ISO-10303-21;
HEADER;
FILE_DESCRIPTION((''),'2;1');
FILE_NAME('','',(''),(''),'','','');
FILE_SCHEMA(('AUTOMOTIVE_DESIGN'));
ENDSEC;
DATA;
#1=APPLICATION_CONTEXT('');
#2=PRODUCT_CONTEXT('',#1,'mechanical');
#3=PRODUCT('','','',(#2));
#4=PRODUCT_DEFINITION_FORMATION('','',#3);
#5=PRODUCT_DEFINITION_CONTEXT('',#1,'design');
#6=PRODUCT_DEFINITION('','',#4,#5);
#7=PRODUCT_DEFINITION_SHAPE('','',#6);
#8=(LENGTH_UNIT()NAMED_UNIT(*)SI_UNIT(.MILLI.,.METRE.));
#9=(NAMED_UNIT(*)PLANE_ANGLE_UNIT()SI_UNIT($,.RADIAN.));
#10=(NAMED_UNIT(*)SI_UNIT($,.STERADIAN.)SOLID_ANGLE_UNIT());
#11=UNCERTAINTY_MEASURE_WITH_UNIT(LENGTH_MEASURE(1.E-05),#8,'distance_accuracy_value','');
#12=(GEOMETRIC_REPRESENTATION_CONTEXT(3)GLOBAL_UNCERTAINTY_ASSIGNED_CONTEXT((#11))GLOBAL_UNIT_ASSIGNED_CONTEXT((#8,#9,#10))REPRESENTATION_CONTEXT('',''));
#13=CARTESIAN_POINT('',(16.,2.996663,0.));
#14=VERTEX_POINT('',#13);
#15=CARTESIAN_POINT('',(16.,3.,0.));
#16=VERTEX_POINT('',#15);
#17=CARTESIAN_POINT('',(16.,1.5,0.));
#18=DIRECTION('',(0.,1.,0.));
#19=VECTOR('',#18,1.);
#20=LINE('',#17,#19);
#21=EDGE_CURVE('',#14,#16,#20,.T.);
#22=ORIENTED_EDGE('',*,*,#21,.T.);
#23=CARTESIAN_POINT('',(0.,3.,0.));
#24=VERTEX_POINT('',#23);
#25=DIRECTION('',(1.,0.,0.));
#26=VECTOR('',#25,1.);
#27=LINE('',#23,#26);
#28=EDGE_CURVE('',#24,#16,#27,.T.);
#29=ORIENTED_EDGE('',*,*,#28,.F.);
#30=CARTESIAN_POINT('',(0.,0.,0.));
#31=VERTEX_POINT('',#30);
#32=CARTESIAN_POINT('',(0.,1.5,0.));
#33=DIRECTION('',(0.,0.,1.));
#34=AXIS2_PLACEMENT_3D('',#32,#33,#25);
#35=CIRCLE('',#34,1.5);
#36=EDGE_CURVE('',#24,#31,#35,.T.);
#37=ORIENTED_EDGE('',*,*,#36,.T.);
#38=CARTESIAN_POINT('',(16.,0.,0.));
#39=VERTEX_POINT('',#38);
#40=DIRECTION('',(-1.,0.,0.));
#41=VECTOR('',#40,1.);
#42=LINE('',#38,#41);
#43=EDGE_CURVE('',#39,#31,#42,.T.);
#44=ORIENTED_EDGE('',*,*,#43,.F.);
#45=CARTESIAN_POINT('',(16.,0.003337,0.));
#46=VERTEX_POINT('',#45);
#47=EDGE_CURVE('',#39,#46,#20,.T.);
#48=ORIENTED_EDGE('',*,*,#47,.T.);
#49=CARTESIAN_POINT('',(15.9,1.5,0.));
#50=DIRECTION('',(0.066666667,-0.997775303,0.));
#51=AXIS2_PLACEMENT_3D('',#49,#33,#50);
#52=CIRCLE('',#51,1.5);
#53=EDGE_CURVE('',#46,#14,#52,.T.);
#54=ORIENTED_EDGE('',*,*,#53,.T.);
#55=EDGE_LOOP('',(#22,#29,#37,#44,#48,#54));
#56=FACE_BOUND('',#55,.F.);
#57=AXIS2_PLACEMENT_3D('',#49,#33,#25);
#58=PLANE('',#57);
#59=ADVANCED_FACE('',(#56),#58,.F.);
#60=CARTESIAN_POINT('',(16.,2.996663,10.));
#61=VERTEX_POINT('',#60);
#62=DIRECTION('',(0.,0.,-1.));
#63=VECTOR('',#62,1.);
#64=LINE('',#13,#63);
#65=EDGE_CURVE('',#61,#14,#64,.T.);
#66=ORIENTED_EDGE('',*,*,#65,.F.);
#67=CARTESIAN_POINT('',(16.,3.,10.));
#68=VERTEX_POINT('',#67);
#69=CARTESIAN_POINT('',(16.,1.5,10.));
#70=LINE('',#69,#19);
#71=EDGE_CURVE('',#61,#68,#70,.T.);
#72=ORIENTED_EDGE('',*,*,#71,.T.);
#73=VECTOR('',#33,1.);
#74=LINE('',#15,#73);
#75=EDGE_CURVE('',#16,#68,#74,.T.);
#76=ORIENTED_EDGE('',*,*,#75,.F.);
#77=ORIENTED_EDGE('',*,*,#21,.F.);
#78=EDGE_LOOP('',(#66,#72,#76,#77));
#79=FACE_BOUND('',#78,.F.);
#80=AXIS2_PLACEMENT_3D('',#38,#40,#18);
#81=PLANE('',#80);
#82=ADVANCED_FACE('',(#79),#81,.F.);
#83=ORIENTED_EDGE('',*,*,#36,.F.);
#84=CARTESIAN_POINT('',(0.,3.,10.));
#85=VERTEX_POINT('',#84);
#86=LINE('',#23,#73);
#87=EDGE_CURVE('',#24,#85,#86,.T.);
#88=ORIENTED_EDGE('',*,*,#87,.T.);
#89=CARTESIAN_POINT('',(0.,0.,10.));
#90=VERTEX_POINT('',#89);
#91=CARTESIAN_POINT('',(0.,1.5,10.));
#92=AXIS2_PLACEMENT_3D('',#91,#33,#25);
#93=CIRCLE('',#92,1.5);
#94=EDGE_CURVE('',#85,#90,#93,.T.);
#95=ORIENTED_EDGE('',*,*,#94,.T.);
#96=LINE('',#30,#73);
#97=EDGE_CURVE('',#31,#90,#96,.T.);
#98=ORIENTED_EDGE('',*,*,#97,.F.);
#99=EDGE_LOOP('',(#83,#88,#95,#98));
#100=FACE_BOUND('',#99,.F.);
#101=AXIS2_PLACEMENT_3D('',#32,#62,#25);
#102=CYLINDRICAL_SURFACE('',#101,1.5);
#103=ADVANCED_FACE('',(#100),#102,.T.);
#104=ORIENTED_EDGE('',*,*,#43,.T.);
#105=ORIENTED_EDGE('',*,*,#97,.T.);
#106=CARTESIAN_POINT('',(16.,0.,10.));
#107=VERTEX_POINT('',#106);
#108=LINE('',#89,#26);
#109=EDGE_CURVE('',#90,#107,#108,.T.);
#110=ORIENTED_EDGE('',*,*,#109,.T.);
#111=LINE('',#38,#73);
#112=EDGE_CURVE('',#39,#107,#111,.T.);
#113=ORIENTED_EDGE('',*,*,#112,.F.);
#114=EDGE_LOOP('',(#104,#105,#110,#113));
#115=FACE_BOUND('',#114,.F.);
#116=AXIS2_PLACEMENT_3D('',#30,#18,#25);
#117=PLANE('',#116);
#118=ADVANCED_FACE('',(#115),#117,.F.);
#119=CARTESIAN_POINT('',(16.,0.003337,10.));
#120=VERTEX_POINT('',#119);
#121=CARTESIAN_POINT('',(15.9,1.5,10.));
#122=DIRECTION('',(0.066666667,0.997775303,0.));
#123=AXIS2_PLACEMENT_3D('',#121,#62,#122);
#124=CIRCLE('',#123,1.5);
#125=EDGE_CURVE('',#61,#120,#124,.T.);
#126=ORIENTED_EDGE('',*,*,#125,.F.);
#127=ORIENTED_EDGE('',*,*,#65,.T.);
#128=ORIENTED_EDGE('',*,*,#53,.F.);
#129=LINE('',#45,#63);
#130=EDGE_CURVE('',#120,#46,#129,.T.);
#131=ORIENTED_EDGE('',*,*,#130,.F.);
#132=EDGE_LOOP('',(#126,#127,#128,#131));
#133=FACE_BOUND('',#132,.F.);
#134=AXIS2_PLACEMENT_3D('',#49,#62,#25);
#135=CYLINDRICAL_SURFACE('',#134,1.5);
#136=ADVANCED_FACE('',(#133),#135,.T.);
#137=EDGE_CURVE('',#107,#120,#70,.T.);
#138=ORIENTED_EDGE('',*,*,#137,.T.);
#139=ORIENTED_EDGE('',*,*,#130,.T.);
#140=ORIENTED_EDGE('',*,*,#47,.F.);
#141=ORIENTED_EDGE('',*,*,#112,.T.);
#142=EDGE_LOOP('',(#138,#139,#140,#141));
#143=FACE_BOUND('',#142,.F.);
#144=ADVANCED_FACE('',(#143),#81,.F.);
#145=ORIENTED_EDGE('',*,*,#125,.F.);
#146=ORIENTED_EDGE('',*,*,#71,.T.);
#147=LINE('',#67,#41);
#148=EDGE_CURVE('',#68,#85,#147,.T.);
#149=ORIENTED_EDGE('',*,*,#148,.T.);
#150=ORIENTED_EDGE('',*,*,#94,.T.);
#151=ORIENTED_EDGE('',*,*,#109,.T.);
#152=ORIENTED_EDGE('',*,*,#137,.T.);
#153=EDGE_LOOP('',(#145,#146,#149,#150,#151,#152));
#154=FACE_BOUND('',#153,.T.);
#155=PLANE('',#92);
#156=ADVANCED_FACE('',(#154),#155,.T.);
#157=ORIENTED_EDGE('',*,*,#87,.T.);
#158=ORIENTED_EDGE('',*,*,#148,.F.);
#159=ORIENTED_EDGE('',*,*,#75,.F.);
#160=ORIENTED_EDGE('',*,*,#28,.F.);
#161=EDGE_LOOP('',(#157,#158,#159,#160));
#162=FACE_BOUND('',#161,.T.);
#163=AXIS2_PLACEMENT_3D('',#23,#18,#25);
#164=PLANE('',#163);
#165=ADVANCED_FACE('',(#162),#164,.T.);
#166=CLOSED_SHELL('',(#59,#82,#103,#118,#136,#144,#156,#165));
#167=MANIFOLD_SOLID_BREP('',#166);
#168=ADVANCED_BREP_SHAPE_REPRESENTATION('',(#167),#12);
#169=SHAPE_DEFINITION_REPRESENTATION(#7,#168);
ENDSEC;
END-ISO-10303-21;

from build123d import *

# Parameters (mm, degrees)
CYLINDER003_R     = 1.5
CYLINDER003_DEPTH = 10
CYLINDER002_R     = 1.5
CYLINDER002_DEPTH = 10
BOX009_W          = 16
BOX009_H          = 3
BOX009_DEPTH      = 10


with BuildPart() as cylinder003:
    # Cylinder003 → Cylinder003 (new body)
    with BuildSketch(Plane(origin=(15.9, 1.5, 0), x_dir=(1, 0, 0), z_dir=(0, 0, 1))):
        Circle(CYLINDER003_R)
    extrude(amount=CYLINDER003_DEPTH)


with BuildPart() as cylinder002:
    # Cylinder002 → Cylinder002 (new body)
    with BuildSketch(Plane(origin=(0, 1.5, 0), x_dir=(1, 0, 0), z_dir=(0, 0, 1))):
        Circle(CYLINDER002_R)
    extrude(amount=CYLINDER002_DEPTH)


with BuildPart() as hole_template_d3:
    # Box009 → Box009 (new body)
    with BuildSketch(Plane.XY):
        with Locations((8, 1.5)):
            Rectangle(BOX009_W, BOX009_H)
    extrude(amount=BOX009_DEPTH)

    # Fusion004: union Cylinder003, Cylinder002
    add(cylinder003.part)
    add(cylinder002.part)


solid = hole_template_d3.part
